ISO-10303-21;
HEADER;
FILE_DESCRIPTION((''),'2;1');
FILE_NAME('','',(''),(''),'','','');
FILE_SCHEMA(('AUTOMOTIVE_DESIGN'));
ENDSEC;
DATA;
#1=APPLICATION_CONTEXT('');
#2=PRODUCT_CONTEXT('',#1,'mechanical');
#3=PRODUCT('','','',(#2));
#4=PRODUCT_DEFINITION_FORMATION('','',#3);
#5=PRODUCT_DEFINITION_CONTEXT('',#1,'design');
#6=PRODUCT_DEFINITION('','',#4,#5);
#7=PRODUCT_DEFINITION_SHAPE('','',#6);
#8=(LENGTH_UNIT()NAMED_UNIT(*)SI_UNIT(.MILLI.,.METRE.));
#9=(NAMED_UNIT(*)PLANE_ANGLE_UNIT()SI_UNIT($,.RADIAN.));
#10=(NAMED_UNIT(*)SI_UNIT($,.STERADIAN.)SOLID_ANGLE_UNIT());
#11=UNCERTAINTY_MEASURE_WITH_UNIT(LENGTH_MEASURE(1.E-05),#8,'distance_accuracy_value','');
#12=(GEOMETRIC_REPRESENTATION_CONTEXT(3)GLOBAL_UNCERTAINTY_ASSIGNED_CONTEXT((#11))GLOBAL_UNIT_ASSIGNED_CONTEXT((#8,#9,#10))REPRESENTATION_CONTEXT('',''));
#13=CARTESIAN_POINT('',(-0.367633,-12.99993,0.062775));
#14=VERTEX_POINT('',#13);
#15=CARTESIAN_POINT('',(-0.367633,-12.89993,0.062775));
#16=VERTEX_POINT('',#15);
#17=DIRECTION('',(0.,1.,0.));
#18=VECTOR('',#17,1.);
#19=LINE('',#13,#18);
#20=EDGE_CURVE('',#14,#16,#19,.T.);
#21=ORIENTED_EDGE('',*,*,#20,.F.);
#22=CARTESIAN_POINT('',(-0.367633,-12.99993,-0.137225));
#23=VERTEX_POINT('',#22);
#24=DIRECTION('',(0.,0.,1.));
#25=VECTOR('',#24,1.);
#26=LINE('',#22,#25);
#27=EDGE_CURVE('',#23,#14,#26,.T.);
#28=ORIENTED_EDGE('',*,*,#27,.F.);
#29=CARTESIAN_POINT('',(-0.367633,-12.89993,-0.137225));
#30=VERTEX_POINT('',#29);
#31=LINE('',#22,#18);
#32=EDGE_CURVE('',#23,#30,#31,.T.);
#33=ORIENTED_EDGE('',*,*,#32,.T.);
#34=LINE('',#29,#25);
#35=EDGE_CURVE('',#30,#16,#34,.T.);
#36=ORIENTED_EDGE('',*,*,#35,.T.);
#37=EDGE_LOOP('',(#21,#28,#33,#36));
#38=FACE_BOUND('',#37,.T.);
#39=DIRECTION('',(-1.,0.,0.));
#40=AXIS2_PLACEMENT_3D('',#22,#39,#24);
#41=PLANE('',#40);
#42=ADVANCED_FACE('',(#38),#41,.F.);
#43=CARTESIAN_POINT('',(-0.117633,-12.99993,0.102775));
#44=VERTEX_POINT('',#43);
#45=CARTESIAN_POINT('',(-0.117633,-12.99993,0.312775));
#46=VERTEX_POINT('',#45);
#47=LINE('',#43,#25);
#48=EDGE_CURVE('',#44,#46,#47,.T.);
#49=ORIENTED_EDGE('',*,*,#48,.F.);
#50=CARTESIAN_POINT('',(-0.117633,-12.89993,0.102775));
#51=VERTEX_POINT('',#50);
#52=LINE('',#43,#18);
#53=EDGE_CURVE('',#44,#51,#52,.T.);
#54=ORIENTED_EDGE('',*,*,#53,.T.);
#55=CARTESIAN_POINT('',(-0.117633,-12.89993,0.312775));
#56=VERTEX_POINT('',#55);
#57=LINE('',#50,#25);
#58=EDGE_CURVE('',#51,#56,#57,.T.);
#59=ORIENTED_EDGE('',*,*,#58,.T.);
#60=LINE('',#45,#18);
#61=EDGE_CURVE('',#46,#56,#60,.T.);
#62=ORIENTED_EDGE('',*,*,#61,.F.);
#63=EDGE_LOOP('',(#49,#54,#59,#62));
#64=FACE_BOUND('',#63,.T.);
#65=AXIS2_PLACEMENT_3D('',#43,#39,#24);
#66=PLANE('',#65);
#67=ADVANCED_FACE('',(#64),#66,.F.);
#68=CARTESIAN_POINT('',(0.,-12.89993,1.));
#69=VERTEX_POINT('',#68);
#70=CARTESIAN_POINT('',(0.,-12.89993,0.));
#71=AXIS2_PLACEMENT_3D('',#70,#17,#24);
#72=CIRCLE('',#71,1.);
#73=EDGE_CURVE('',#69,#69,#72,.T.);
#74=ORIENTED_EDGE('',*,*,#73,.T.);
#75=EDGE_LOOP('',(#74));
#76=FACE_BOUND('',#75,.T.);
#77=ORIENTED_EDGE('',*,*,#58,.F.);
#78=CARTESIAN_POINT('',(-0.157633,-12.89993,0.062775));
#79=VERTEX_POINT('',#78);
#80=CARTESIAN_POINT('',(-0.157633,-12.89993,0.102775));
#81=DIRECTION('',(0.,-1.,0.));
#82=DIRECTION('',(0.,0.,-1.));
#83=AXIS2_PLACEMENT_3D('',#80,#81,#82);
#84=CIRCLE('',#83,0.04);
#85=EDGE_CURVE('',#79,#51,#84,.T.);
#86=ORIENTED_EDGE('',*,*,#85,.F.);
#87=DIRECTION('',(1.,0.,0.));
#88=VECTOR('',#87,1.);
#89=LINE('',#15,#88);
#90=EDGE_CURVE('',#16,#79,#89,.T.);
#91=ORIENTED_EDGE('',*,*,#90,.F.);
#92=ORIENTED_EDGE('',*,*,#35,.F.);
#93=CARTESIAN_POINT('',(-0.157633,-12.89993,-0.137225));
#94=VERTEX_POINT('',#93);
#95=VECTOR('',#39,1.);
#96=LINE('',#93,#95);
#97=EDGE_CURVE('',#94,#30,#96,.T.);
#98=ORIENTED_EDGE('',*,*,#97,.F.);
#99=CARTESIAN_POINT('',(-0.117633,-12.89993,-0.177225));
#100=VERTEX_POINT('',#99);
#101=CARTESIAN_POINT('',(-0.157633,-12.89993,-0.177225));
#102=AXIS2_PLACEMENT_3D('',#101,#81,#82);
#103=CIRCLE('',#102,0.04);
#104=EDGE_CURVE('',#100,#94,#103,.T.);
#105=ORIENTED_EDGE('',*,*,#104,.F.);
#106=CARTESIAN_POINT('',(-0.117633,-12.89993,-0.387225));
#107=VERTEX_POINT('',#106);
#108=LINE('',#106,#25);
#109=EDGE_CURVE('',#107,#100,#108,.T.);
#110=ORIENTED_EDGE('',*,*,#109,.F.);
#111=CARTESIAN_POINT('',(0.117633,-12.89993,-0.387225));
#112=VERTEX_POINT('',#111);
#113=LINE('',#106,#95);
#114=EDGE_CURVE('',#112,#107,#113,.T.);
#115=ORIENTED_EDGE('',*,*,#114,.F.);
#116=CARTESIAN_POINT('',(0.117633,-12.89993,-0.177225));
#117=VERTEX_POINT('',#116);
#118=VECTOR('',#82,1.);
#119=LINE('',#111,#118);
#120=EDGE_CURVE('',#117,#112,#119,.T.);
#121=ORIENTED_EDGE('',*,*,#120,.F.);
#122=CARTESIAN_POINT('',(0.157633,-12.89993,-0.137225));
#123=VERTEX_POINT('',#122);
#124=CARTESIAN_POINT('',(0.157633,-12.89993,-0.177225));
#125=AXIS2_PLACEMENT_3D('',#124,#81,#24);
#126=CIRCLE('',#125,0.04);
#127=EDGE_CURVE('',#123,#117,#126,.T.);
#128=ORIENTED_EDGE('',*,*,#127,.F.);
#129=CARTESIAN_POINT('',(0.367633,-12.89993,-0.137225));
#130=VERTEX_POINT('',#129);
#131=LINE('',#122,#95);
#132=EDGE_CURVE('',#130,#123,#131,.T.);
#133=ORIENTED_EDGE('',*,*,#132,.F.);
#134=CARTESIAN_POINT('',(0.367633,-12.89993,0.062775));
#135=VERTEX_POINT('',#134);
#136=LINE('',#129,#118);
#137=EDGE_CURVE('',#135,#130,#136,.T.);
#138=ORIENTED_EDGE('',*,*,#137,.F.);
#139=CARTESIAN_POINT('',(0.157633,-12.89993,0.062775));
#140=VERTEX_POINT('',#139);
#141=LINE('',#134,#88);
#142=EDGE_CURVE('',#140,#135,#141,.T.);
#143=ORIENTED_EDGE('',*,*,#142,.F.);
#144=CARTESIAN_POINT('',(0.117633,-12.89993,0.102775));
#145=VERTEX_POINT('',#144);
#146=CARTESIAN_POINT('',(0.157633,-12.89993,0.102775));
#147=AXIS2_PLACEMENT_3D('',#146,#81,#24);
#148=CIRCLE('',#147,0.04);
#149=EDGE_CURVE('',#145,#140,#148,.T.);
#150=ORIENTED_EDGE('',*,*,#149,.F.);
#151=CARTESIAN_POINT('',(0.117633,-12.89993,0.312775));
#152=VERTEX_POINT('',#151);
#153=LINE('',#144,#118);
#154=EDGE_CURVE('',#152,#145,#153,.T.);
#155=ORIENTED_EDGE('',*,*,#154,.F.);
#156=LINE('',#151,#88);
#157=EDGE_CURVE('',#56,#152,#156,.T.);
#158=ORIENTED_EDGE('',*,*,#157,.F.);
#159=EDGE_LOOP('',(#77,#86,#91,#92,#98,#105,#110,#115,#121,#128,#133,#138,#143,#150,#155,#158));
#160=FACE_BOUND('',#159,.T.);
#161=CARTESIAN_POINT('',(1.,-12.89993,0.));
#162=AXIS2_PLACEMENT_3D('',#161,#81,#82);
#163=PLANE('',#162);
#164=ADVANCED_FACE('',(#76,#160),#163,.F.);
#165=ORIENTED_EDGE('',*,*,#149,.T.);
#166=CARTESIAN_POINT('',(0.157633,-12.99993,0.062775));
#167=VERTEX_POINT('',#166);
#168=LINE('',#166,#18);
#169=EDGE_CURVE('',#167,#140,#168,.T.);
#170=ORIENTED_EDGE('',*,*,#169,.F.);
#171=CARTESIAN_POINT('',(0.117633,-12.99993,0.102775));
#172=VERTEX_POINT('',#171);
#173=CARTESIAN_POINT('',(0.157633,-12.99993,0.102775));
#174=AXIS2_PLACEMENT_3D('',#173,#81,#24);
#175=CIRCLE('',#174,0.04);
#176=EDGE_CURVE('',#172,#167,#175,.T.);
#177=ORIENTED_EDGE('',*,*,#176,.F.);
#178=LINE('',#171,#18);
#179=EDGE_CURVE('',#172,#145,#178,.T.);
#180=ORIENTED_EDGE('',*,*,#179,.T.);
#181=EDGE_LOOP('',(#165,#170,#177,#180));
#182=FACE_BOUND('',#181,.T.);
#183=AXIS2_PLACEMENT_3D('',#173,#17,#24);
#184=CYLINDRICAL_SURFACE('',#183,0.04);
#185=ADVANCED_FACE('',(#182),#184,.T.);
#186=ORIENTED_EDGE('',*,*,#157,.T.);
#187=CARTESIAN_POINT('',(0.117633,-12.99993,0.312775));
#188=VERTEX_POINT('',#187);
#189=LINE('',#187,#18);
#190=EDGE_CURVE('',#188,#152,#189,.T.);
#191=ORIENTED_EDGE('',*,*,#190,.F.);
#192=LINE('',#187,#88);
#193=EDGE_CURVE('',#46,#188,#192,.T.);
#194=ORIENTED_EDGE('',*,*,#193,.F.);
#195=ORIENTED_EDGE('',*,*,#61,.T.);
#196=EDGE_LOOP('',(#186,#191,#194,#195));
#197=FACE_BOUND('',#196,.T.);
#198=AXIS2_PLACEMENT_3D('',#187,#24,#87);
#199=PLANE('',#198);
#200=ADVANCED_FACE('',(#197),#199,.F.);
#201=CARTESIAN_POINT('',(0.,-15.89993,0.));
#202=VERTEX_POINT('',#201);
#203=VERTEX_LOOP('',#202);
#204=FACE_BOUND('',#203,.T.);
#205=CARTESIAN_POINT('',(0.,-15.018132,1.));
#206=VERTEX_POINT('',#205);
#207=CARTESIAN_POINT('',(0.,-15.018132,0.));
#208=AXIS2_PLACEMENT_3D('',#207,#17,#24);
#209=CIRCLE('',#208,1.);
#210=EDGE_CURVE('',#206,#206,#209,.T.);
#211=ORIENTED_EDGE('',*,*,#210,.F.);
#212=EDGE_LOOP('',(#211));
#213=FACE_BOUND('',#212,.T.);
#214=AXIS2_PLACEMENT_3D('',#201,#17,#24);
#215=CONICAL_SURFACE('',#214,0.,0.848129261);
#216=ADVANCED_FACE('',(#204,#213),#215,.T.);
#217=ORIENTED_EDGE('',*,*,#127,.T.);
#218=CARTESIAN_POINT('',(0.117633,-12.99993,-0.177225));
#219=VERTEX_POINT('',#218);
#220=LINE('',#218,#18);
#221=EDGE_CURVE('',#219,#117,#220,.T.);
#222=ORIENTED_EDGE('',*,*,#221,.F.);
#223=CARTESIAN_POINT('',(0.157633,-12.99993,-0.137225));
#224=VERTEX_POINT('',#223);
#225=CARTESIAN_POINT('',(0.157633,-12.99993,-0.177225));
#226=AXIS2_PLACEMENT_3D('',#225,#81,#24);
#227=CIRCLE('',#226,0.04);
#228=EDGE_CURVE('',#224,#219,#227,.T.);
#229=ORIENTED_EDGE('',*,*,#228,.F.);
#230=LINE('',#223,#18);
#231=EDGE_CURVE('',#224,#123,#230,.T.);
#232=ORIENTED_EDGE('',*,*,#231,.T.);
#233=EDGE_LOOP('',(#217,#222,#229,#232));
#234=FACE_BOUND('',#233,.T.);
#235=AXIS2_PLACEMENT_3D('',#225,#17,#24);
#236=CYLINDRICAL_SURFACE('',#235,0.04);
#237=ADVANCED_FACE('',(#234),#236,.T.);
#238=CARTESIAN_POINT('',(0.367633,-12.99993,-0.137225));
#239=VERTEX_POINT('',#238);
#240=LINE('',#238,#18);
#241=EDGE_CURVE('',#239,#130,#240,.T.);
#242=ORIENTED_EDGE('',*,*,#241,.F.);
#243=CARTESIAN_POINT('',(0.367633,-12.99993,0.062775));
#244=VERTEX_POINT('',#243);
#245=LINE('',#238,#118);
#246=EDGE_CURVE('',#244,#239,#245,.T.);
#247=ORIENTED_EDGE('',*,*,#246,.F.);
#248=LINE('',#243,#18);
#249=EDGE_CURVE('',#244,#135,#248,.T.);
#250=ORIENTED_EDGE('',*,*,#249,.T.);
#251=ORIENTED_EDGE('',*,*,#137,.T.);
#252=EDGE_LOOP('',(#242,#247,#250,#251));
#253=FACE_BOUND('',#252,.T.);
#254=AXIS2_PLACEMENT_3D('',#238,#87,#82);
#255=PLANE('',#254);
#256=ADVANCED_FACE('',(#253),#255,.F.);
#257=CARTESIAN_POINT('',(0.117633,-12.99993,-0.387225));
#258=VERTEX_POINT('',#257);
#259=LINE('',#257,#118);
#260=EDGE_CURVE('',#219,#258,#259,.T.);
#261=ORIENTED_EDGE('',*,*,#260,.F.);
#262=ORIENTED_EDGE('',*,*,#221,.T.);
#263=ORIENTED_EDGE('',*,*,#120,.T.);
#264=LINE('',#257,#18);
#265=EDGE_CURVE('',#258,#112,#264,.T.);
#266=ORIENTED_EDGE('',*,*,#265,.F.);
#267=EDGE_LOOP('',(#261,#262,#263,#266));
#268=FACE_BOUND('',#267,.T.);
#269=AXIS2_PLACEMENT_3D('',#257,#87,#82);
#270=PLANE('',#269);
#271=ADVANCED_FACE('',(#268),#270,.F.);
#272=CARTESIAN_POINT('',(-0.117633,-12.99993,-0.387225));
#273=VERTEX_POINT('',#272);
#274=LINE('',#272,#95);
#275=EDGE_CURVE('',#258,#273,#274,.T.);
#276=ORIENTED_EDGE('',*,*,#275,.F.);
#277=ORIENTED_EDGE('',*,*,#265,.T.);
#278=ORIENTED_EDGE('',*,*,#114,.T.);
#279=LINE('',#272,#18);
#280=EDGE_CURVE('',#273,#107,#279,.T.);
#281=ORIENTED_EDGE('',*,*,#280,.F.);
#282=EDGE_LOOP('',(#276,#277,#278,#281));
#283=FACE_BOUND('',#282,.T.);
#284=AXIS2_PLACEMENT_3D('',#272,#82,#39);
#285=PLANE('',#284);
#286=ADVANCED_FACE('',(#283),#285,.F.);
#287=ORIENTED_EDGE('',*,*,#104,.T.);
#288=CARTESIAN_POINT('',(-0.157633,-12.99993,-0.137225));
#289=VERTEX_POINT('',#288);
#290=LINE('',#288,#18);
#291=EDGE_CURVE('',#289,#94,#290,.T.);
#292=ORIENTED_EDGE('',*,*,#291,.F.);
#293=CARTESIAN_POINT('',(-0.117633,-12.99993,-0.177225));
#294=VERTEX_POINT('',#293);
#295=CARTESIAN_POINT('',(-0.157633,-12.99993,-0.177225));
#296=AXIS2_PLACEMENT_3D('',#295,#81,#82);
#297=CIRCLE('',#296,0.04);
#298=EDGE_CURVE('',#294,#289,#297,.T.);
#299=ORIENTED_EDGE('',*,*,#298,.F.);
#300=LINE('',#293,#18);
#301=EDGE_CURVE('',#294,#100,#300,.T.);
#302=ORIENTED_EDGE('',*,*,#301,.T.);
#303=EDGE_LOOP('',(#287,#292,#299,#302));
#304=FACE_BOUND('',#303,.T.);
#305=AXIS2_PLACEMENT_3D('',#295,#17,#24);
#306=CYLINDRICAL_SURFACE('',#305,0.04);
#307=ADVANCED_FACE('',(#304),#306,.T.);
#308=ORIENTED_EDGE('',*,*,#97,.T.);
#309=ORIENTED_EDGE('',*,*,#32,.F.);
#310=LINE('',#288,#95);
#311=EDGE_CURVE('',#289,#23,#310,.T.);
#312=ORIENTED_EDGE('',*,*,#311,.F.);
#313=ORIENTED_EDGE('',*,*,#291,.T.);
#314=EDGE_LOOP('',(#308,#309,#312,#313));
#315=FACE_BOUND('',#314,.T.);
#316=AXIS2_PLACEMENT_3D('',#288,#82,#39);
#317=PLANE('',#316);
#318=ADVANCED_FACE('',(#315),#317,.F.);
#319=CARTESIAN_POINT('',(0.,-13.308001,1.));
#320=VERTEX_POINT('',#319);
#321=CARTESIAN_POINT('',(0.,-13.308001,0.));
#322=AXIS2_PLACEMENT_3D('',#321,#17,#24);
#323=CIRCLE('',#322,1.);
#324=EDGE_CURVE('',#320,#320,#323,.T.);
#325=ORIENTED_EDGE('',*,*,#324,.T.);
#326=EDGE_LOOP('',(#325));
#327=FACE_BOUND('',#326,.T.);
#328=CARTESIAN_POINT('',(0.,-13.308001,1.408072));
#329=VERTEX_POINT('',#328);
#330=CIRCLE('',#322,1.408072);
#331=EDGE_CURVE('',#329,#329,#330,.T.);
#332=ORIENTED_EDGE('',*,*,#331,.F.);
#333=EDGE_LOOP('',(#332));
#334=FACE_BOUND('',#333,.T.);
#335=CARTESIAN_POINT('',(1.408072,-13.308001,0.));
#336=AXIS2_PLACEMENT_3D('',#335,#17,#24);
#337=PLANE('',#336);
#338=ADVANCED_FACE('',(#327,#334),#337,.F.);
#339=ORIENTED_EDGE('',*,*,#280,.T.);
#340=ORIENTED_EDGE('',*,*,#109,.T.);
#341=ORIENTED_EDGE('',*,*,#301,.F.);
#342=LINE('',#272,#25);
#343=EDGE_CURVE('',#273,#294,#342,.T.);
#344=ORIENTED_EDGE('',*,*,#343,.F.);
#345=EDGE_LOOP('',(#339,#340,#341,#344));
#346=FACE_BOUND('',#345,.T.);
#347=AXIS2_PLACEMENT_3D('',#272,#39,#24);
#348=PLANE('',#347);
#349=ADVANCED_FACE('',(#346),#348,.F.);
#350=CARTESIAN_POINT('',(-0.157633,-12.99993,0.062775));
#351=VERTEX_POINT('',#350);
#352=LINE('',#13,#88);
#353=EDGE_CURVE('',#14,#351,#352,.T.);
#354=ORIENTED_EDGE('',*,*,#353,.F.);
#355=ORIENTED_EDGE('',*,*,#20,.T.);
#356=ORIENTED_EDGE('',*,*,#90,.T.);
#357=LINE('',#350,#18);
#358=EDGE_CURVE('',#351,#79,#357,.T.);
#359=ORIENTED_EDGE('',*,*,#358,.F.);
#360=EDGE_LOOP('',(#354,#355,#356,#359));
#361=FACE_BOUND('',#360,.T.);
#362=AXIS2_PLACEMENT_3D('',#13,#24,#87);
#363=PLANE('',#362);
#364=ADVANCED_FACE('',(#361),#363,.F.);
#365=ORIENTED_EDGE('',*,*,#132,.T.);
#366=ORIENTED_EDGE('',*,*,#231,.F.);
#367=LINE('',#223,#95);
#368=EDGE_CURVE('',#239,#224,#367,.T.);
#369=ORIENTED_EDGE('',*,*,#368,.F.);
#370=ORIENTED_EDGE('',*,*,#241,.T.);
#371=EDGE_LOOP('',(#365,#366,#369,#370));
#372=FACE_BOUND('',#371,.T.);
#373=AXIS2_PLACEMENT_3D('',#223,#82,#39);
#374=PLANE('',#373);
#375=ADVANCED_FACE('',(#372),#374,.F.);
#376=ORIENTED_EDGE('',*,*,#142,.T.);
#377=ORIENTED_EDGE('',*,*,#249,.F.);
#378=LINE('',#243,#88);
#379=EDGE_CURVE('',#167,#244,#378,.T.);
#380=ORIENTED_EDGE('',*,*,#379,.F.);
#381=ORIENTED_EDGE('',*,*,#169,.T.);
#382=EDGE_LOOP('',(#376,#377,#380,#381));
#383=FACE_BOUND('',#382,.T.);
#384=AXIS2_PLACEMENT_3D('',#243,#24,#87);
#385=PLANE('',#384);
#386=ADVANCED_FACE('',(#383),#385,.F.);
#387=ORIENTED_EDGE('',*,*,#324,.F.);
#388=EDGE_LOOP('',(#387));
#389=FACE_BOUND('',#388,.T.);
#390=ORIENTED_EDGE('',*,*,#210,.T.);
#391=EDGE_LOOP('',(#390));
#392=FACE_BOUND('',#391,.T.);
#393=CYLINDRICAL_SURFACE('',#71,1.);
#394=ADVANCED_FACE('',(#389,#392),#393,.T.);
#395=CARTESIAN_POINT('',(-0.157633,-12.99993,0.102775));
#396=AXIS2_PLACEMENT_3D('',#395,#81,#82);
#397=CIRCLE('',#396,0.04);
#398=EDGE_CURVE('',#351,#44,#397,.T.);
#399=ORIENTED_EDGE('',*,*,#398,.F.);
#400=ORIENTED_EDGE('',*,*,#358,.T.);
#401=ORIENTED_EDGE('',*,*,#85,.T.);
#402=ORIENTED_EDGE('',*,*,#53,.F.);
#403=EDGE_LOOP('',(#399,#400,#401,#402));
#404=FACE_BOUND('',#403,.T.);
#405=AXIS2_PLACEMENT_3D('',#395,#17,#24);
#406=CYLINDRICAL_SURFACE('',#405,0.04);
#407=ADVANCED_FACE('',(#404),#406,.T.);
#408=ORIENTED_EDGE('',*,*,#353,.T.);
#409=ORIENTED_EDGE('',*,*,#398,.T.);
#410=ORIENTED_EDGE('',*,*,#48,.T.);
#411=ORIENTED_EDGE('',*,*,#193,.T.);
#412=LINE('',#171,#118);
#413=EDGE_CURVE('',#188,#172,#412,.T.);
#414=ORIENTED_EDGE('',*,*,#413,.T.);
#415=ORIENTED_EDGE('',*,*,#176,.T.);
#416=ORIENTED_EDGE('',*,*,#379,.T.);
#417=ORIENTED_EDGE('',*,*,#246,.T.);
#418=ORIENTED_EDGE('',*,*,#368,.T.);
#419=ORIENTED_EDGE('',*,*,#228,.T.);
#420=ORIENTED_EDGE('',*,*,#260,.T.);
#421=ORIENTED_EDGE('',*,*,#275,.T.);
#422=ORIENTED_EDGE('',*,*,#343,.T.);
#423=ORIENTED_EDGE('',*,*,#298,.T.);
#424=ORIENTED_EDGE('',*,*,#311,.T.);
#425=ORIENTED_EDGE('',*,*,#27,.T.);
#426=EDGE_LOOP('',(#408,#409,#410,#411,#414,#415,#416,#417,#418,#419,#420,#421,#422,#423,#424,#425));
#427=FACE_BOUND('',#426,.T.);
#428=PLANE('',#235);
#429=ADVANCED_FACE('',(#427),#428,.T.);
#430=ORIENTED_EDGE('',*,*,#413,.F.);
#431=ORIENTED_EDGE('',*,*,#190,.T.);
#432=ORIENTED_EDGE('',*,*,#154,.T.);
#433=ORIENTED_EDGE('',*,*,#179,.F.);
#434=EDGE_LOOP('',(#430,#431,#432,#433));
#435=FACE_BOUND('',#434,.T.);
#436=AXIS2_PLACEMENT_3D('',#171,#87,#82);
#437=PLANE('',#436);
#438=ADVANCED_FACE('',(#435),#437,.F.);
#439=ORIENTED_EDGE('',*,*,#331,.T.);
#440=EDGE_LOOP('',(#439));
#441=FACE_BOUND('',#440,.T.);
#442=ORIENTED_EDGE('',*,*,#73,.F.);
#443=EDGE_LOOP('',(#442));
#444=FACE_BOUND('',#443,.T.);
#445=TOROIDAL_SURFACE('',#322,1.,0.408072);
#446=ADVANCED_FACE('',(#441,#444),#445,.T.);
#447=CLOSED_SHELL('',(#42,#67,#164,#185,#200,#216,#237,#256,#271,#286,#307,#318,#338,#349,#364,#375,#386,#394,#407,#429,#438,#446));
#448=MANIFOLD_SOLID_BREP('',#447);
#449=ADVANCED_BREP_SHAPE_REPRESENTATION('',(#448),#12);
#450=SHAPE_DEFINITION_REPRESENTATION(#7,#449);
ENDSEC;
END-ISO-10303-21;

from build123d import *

# Parameters (mm, degrees)
CUT_EXTRUDE1_DEPTH = 0.1


with BuildPart() as part:
    # Sketch1 → Revolve1 (revolve)
    with BuildSketch(Plane.XY):
        with BuildLine():
            Line((1, -15.018131929), (1, -13.308001414))
            Line((1, -13.308001414), (1.408071808, -13.308001414))
            ThreePointArc((1.408071808, -13.308001414), (1.288550343, -13.019451071), (1, -12.899929605))
            Line((1, -12.899929605), (0, -12.899929605))
            Line((0, -12.899929605), (0, -15.899929605))
            Line((0, -15.899929605), (1, -15.018131929))
        make_face()
    revolve(axis=Axis((0, -12.899929605, 0), (0, -1, 0)))

    # Sketch2 → Cut-Extrude1 (cut)
    with BuildSketch(Plane(origin=(0, -12.899929605, 0), x_dir=(1, 0, 0), z_dir=(0, 1, 0))):
        with BuildLine():
            Line((-0.117632759, 0.387224573), (0.117632759, 0.387224573))
            Line((0.117632759, 0.387224573), (0.117632759, 0.177224573))
            ThreePointArc((0.117632759, 0.177224573), (0.129348488, 0.148940302), (0.157632759, 0.137224573))
            Line((0.157632759, 0.137224573), (0.367632759, 0.137224573))
            Line((0.367632759, 0.137224573), (0.367632759, -0.062775427))
            Line((0.367632759, -0.062775427), (0.157632759, -0.062775427))
            ThreePointArc((0.157632759, -0.062775427), (0.129348488, -0.074491156), (0.117632759, -0.102775427))
            Line((0.117632759, -0.102775427), (0.117632759, -0.312775427))
            Line((0.117632759, -0.312775427), (-0.117632759, -0.312775427))
            Line((-0.117632759, -0.312775427), (-0.117632759, -0.102775427))
            ThreePointArc((-0.117632759, -0.102775427), (-0.129348488, -0.074491156), (-0.157632759, -0.062775427))
            Line((-0.157632759, -0.062775427), (-0.367632759, -0.062775427))
            Line((-0.367632759, -0.062775427), (-0.367632759, 0.137224573))
            Line((-0.367632759, 0.137224573), (-0.157632759, 0.137224573))
            ThreePointArc((-0.157632759, 0.137224573), (-0.129348488, 0.148940302), (-0.117632759, 0.177224573))
            Line((-0.117632759, 0.177224573), (-0.117632759, 0.387224573))
        make_face()
    extrude(amount=-CUT_EXTRUDE1_DEPTH, mode=Mode.SUBTRACT)


solid = part.part
